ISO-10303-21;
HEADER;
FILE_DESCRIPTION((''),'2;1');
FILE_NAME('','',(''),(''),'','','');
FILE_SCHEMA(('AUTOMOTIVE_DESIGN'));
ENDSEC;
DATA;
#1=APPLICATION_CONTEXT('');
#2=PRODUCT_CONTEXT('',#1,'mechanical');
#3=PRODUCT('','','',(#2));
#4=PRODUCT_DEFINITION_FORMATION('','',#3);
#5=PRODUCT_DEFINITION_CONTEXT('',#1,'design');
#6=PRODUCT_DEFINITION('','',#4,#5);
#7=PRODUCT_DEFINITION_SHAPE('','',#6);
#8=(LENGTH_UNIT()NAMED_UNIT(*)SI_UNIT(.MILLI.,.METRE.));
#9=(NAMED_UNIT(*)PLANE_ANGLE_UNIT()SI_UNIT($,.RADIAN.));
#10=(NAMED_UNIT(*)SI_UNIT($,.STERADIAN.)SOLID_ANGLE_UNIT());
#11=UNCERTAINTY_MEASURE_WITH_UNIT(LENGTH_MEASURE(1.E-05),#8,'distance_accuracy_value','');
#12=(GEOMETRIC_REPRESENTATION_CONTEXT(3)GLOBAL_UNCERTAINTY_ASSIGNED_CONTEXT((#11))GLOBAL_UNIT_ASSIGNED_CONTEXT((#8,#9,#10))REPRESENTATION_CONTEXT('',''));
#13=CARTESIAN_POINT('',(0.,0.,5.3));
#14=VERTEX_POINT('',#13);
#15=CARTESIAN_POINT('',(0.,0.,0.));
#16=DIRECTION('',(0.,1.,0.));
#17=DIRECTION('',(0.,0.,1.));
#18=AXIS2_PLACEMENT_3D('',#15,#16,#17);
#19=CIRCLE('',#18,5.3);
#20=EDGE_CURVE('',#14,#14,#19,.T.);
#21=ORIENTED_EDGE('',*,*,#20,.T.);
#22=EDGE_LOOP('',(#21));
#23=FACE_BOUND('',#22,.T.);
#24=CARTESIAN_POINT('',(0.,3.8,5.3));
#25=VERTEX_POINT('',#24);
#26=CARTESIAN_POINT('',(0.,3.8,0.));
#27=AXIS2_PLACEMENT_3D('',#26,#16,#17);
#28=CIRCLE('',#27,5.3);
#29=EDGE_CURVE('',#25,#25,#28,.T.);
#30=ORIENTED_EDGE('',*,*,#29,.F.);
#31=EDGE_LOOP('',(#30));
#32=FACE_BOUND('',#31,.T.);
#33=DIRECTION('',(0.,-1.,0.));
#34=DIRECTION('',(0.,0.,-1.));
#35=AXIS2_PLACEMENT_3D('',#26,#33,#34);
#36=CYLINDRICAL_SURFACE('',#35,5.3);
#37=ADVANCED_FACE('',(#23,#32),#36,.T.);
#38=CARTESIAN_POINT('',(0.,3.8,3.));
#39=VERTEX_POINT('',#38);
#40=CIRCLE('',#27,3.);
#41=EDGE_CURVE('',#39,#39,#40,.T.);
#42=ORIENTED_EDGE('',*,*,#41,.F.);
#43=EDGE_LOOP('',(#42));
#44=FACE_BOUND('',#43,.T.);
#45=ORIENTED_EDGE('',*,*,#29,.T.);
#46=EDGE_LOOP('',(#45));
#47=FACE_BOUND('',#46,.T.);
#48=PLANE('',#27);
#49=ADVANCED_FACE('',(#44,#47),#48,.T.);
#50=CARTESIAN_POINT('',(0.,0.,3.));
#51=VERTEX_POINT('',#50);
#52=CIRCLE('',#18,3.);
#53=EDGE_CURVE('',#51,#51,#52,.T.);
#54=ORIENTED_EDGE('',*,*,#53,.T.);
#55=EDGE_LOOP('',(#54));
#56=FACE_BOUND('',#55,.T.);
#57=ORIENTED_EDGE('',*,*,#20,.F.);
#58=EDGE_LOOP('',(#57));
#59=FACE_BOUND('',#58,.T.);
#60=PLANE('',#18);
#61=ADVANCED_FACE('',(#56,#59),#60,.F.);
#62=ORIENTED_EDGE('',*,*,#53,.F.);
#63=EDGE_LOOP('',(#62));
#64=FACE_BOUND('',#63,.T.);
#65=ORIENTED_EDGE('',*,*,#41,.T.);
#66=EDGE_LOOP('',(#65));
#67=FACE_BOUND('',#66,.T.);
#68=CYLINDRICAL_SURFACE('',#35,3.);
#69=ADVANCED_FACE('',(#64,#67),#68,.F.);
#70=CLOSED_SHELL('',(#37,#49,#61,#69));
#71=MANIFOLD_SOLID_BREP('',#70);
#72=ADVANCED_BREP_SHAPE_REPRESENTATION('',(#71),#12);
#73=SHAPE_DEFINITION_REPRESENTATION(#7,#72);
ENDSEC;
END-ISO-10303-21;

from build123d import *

# Parameters (mm, degrees)
SKETCH1_R           = 5.3
SKETCH1_R_2         = 3
BOSS_EXTRUDE1_DEPTH = 3.8


with BuildPart() as part:
    # Sketch1 → Boss-Extrude1 (new body)
    with BuildSketch(Plane(origin=(0, 0, 0), x_dir=(1, 0, 0), z_dir=(0, 1, 0))):
        Circle(SKETCH1_R)
        Circle(SKETCH1_R_2, mode=Mode.SUBTRACT)
    extrude(amount=BOSS_EXTRUDE1_DEPTH)


solid = part.part
